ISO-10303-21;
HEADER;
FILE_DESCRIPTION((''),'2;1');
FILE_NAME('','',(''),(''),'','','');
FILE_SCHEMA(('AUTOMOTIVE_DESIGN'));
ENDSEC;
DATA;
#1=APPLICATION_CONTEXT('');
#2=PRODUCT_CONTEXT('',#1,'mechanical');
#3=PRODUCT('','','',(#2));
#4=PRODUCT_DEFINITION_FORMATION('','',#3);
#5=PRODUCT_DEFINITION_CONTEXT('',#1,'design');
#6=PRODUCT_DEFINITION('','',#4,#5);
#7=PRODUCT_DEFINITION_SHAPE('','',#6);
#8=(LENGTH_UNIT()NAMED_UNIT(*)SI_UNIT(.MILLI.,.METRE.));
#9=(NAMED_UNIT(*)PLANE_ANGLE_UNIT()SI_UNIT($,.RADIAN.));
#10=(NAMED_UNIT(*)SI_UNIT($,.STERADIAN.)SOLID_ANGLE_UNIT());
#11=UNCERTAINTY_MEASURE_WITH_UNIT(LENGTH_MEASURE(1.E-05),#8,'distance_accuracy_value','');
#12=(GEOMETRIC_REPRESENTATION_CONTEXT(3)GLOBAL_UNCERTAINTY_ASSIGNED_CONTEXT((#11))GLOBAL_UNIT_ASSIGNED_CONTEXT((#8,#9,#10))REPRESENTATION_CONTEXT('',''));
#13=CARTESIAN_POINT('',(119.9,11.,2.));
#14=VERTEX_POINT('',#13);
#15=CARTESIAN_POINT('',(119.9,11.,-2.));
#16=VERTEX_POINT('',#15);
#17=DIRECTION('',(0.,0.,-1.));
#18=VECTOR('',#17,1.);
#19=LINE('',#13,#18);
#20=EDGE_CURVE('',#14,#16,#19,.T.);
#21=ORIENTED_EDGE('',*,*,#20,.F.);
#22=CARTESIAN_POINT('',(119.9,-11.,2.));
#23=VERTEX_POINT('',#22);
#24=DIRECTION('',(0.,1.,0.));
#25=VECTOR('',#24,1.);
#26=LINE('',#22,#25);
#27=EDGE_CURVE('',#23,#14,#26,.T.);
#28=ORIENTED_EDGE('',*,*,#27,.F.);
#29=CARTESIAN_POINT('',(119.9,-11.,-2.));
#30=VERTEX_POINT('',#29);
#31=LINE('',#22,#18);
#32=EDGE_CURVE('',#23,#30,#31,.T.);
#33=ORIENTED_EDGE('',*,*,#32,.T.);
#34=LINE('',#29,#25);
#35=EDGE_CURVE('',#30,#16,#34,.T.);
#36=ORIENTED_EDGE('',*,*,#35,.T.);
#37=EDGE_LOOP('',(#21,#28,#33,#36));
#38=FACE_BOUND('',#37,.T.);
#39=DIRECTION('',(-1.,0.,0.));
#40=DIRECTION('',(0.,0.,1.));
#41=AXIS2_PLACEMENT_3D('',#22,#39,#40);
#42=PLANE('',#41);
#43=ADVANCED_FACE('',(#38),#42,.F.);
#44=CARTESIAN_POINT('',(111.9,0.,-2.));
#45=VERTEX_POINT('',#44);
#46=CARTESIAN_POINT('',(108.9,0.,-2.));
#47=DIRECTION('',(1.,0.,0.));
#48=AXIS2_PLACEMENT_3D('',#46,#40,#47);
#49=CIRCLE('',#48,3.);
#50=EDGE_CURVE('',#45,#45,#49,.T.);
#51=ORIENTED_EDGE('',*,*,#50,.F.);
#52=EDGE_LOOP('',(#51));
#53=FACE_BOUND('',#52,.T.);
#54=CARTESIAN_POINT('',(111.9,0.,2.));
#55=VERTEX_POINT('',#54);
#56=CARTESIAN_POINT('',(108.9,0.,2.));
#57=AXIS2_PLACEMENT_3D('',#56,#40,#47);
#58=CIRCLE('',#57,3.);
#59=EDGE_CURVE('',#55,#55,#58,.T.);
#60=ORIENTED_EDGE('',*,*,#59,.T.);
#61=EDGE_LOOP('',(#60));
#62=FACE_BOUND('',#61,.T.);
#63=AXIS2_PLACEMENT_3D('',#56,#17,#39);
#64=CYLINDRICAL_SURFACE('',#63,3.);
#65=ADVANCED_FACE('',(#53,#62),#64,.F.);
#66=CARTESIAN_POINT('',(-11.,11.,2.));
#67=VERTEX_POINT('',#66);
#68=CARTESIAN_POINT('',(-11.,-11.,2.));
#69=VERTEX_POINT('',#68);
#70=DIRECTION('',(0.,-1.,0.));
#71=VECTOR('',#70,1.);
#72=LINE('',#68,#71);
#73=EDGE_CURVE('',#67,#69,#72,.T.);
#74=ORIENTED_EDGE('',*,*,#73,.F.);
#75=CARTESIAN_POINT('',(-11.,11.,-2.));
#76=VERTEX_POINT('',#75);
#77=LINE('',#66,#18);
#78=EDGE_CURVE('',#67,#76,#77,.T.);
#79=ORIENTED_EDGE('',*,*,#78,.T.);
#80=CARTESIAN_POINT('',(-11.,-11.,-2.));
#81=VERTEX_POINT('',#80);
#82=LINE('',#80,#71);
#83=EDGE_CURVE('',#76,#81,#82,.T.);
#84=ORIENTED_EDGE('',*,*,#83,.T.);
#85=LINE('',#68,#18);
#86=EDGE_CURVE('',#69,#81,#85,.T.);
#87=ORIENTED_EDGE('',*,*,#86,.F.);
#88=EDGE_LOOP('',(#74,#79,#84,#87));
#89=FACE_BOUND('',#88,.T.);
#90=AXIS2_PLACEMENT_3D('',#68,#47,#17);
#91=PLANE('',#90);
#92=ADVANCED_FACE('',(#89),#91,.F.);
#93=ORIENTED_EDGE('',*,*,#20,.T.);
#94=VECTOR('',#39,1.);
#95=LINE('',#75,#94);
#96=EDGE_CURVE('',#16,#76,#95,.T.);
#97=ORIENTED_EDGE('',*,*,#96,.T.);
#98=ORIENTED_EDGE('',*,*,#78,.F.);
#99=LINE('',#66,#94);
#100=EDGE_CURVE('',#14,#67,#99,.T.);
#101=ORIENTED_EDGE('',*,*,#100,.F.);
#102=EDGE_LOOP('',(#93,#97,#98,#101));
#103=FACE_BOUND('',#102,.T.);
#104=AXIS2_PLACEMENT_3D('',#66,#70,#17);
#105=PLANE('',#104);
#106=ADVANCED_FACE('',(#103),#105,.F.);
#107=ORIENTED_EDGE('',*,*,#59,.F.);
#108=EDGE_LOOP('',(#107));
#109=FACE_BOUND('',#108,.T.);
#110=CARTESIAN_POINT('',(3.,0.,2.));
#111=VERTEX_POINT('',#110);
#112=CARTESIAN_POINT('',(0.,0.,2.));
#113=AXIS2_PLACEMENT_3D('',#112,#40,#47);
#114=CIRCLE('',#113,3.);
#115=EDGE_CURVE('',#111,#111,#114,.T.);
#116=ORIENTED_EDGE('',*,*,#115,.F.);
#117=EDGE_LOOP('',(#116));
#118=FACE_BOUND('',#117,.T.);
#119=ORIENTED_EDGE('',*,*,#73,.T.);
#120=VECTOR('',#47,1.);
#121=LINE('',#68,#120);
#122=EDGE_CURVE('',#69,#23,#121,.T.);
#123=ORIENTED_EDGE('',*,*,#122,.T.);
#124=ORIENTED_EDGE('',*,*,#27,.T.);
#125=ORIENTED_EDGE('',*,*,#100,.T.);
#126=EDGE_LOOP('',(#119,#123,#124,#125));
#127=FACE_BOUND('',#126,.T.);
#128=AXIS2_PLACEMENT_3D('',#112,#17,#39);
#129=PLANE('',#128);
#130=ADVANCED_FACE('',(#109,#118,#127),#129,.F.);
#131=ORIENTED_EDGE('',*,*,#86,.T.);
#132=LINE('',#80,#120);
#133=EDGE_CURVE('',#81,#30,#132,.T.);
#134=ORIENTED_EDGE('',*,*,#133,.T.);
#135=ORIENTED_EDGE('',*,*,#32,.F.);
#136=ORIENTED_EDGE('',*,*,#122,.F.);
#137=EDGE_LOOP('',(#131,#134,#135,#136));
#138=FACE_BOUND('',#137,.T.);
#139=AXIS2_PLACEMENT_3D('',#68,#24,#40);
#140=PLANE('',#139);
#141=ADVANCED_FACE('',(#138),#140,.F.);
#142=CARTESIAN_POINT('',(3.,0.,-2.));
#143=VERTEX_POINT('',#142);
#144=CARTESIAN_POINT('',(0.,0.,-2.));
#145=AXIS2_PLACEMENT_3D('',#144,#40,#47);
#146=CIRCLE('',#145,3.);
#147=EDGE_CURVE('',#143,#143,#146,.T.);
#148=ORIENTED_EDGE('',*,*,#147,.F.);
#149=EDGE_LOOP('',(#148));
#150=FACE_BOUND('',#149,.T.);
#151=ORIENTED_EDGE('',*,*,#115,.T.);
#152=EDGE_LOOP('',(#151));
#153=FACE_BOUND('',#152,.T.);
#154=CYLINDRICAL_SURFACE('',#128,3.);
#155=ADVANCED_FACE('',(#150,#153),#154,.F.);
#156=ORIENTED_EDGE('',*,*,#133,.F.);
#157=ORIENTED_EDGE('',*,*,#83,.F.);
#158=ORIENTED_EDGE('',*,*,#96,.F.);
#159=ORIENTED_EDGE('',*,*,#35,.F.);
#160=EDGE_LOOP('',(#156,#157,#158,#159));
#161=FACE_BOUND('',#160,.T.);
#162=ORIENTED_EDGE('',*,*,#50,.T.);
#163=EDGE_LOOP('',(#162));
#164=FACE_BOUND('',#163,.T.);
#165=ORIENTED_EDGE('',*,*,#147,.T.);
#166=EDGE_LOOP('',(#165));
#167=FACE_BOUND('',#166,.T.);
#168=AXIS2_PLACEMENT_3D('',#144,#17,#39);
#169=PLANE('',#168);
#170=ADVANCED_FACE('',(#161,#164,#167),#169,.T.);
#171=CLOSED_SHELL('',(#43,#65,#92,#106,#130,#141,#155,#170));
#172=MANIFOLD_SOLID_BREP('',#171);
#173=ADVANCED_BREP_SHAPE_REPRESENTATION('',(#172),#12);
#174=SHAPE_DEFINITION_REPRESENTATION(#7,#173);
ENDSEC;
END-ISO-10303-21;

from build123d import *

# Parameters (mm, degrees)
SKETCH_1_W      = 130.9
SKETCH_1_H      = 22
SKETCH_1_R      = 3
EXTRUDE_1_DEPTH = 2


with BuildPart() as part:
    # 草图1 → 凸台-拉伸1 (new, symmetric)
    with BuildSketch(Plane.XY):
        with Locations((54.45, 0)):
            Rectangle(SKETCH_1_W, SKETCH_1_H)
        Circle(SKETCH_1_R, mode=Mode.SUBTRACT)
        with Locations((108.9, 0)):
            Circle(SKETCH_1_R, mode=Mode.SUBTRACT)
    extrude(amount=EXTRUDE_1_DEPTH, both=True)


solid = part.part
